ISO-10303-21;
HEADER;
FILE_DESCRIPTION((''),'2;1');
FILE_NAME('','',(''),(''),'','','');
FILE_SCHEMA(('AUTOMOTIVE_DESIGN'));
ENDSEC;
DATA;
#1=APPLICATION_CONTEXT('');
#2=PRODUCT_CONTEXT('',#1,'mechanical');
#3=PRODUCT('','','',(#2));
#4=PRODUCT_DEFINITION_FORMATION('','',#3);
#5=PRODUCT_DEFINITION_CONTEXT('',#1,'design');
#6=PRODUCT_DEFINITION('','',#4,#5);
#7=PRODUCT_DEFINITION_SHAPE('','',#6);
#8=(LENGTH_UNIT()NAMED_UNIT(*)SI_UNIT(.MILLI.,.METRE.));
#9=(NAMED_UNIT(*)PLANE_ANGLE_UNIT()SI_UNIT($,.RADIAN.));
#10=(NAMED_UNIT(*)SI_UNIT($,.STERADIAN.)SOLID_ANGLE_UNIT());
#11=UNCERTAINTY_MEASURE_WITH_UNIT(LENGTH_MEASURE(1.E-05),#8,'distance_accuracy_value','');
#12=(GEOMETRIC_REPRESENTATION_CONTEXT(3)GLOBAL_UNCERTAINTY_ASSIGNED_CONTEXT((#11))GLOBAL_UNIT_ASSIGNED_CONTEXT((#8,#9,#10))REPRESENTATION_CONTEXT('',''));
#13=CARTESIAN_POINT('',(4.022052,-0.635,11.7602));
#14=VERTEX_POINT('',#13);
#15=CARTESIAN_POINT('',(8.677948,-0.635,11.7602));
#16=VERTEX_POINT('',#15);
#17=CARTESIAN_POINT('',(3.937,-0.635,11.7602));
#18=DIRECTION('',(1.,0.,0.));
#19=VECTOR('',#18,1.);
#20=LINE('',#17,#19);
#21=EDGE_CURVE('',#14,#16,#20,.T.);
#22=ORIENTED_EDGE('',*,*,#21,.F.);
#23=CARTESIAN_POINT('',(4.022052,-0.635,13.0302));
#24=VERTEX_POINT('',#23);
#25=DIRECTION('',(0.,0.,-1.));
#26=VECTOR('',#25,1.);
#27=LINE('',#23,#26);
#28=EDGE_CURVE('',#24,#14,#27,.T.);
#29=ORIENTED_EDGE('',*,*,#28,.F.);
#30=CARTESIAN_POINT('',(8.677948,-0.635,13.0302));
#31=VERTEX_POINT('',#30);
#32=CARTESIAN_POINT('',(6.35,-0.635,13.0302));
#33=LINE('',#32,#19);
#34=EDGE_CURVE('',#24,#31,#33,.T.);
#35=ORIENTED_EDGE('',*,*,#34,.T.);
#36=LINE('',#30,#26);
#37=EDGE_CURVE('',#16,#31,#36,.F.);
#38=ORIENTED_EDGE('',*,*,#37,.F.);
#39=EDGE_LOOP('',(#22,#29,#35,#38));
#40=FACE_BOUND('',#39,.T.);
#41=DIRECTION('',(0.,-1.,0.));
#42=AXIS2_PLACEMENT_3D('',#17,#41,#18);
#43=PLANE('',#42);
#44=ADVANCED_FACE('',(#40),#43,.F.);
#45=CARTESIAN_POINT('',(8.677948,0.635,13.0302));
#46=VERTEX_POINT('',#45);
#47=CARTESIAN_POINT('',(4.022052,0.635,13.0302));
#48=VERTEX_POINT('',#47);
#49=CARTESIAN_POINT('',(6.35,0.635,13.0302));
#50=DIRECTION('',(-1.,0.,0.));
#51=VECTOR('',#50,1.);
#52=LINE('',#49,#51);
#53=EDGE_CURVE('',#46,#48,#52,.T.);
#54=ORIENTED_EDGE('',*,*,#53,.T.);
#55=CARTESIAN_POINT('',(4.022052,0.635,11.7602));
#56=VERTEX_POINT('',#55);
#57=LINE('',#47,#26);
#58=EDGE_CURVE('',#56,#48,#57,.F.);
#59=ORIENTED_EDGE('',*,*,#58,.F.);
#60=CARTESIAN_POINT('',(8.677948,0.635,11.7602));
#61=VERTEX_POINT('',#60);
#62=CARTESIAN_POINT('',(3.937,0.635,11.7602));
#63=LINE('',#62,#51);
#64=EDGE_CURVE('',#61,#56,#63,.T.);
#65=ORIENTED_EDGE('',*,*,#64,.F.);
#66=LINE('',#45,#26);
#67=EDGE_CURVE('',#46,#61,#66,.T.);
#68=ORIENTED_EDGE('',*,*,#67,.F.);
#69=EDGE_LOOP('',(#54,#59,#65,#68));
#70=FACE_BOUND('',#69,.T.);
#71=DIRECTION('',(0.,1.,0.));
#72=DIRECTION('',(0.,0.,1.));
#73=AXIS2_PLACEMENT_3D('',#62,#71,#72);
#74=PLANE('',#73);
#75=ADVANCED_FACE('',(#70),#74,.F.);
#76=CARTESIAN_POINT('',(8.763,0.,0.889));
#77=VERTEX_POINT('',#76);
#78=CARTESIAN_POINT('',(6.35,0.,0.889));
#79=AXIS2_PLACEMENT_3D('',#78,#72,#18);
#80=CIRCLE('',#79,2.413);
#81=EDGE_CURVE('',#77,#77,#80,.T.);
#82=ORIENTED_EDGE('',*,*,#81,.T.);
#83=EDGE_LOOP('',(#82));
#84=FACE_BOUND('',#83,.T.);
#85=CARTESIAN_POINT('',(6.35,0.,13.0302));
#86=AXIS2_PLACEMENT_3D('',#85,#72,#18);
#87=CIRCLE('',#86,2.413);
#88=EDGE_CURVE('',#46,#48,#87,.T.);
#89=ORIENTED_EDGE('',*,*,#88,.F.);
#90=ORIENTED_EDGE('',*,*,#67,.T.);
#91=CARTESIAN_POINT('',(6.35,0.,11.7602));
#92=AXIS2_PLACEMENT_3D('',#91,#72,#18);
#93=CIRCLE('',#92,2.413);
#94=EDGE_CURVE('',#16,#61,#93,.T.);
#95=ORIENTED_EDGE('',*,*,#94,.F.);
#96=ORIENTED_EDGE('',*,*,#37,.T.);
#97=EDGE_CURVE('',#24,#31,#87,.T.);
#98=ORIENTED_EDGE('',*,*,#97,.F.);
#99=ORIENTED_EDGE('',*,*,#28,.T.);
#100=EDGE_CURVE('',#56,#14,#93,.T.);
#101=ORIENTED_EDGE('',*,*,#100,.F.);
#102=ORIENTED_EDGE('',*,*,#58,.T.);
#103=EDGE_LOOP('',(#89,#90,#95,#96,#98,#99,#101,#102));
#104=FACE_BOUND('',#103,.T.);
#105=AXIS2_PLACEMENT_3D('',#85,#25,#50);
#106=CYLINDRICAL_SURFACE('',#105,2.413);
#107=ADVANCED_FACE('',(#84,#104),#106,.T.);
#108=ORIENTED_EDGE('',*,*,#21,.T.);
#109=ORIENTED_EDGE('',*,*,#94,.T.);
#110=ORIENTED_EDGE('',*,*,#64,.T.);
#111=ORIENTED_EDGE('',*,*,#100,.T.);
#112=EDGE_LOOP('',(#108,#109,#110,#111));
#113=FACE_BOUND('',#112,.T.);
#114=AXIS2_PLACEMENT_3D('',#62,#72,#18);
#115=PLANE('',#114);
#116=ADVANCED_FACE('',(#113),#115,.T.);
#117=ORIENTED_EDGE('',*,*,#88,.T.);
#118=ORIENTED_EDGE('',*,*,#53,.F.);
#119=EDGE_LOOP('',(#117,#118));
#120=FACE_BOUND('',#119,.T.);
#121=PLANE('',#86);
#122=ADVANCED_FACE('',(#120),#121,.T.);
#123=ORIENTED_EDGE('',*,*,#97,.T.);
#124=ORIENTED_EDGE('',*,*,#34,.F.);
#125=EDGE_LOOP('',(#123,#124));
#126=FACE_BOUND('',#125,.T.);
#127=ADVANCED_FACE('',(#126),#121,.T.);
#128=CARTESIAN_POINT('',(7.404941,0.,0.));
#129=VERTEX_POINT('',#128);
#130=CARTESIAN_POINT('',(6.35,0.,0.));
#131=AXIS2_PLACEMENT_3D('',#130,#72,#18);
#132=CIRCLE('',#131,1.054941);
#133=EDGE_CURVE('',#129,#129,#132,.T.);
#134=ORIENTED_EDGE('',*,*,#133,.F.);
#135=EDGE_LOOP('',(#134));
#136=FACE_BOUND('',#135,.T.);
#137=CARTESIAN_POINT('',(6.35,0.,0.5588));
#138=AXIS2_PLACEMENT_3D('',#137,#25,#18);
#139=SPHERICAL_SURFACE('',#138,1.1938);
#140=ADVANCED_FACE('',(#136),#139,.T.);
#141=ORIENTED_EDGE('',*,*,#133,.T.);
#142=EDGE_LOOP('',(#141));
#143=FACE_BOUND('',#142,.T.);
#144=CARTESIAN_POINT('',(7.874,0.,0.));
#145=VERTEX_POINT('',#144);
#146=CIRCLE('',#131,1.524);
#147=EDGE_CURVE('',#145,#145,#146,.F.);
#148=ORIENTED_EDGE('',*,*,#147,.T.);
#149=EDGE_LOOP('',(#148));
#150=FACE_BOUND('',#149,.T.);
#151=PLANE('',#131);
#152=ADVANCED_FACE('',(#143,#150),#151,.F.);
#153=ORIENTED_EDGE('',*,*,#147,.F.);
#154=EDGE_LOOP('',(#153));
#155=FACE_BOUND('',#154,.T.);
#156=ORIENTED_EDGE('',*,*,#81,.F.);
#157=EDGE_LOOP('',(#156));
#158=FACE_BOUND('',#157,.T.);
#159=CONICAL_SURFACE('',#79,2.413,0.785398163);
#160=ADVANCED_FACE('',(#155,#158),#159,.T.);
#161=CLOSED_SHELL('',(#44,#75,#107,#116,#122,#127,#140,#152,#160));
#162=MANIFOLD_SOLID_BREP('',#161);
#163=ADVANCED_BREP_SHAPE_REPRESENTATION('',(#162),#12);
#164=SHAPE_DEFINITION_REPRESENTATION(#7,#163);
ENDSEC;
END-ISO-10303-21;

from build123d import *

# Parameters (mm, degrees)
SKETCH1_R          = 2.413
EXTRUDE1_DEPTH     = 13.0302
CHAMFER1_SIZE      = 0.889
SKETCH3_W          = 4.826
SKETCH3_H          = 1.27
CUT_EXTRUDE1_DEPTH = 1.27


with BuildPart() as part:
    # Sketch1 → Extrude1 (new body)
    with BuildSketch(Plane.XY):
        with Locations((6.35, 0)):
            Circle(SKETCH1_R)
    extrude(amount=EXTRUDE1_DEPTH)

    # Chamfer1
    chamfer1_edges = [part.edges().sort_by_distance(p)[0] for p in [
        (3.937, 0, 0),
    ]]
    chamfer(chamfer1_edges, length=CHAMFER1_SIZE)

    # Sketch3 → Cut-Extrude1 (cut)
    with BuildSketch(Plane.XY.offset(13.0302)):
        with Locations((6.35, 0)):
            Rectangle(SKETCH3_W, SKETCH3_H)
    extrude(amount=-CUT_EXTRUDE1_DEPTH, mode=Mode.SUBTRACT)

    # Sketch4 → Revolve3 (revolve)
    with BuildSketch(Plane(origin=(0, 0, 0), x_dir=(1, 0, 0), z_dir=(0, 1, 0))):
        with BuildLine():
            Line((6.35, 0.635), (6.35, -1.7526))
            ThreePointArc((6.35, -1.7526), (5.1562, -0.5588), (6.35, 0.635))
        make_face()
    revolve(axis=Axis((6.35, 0, -0.635), (0, 0, 1)))


solid = part.part
